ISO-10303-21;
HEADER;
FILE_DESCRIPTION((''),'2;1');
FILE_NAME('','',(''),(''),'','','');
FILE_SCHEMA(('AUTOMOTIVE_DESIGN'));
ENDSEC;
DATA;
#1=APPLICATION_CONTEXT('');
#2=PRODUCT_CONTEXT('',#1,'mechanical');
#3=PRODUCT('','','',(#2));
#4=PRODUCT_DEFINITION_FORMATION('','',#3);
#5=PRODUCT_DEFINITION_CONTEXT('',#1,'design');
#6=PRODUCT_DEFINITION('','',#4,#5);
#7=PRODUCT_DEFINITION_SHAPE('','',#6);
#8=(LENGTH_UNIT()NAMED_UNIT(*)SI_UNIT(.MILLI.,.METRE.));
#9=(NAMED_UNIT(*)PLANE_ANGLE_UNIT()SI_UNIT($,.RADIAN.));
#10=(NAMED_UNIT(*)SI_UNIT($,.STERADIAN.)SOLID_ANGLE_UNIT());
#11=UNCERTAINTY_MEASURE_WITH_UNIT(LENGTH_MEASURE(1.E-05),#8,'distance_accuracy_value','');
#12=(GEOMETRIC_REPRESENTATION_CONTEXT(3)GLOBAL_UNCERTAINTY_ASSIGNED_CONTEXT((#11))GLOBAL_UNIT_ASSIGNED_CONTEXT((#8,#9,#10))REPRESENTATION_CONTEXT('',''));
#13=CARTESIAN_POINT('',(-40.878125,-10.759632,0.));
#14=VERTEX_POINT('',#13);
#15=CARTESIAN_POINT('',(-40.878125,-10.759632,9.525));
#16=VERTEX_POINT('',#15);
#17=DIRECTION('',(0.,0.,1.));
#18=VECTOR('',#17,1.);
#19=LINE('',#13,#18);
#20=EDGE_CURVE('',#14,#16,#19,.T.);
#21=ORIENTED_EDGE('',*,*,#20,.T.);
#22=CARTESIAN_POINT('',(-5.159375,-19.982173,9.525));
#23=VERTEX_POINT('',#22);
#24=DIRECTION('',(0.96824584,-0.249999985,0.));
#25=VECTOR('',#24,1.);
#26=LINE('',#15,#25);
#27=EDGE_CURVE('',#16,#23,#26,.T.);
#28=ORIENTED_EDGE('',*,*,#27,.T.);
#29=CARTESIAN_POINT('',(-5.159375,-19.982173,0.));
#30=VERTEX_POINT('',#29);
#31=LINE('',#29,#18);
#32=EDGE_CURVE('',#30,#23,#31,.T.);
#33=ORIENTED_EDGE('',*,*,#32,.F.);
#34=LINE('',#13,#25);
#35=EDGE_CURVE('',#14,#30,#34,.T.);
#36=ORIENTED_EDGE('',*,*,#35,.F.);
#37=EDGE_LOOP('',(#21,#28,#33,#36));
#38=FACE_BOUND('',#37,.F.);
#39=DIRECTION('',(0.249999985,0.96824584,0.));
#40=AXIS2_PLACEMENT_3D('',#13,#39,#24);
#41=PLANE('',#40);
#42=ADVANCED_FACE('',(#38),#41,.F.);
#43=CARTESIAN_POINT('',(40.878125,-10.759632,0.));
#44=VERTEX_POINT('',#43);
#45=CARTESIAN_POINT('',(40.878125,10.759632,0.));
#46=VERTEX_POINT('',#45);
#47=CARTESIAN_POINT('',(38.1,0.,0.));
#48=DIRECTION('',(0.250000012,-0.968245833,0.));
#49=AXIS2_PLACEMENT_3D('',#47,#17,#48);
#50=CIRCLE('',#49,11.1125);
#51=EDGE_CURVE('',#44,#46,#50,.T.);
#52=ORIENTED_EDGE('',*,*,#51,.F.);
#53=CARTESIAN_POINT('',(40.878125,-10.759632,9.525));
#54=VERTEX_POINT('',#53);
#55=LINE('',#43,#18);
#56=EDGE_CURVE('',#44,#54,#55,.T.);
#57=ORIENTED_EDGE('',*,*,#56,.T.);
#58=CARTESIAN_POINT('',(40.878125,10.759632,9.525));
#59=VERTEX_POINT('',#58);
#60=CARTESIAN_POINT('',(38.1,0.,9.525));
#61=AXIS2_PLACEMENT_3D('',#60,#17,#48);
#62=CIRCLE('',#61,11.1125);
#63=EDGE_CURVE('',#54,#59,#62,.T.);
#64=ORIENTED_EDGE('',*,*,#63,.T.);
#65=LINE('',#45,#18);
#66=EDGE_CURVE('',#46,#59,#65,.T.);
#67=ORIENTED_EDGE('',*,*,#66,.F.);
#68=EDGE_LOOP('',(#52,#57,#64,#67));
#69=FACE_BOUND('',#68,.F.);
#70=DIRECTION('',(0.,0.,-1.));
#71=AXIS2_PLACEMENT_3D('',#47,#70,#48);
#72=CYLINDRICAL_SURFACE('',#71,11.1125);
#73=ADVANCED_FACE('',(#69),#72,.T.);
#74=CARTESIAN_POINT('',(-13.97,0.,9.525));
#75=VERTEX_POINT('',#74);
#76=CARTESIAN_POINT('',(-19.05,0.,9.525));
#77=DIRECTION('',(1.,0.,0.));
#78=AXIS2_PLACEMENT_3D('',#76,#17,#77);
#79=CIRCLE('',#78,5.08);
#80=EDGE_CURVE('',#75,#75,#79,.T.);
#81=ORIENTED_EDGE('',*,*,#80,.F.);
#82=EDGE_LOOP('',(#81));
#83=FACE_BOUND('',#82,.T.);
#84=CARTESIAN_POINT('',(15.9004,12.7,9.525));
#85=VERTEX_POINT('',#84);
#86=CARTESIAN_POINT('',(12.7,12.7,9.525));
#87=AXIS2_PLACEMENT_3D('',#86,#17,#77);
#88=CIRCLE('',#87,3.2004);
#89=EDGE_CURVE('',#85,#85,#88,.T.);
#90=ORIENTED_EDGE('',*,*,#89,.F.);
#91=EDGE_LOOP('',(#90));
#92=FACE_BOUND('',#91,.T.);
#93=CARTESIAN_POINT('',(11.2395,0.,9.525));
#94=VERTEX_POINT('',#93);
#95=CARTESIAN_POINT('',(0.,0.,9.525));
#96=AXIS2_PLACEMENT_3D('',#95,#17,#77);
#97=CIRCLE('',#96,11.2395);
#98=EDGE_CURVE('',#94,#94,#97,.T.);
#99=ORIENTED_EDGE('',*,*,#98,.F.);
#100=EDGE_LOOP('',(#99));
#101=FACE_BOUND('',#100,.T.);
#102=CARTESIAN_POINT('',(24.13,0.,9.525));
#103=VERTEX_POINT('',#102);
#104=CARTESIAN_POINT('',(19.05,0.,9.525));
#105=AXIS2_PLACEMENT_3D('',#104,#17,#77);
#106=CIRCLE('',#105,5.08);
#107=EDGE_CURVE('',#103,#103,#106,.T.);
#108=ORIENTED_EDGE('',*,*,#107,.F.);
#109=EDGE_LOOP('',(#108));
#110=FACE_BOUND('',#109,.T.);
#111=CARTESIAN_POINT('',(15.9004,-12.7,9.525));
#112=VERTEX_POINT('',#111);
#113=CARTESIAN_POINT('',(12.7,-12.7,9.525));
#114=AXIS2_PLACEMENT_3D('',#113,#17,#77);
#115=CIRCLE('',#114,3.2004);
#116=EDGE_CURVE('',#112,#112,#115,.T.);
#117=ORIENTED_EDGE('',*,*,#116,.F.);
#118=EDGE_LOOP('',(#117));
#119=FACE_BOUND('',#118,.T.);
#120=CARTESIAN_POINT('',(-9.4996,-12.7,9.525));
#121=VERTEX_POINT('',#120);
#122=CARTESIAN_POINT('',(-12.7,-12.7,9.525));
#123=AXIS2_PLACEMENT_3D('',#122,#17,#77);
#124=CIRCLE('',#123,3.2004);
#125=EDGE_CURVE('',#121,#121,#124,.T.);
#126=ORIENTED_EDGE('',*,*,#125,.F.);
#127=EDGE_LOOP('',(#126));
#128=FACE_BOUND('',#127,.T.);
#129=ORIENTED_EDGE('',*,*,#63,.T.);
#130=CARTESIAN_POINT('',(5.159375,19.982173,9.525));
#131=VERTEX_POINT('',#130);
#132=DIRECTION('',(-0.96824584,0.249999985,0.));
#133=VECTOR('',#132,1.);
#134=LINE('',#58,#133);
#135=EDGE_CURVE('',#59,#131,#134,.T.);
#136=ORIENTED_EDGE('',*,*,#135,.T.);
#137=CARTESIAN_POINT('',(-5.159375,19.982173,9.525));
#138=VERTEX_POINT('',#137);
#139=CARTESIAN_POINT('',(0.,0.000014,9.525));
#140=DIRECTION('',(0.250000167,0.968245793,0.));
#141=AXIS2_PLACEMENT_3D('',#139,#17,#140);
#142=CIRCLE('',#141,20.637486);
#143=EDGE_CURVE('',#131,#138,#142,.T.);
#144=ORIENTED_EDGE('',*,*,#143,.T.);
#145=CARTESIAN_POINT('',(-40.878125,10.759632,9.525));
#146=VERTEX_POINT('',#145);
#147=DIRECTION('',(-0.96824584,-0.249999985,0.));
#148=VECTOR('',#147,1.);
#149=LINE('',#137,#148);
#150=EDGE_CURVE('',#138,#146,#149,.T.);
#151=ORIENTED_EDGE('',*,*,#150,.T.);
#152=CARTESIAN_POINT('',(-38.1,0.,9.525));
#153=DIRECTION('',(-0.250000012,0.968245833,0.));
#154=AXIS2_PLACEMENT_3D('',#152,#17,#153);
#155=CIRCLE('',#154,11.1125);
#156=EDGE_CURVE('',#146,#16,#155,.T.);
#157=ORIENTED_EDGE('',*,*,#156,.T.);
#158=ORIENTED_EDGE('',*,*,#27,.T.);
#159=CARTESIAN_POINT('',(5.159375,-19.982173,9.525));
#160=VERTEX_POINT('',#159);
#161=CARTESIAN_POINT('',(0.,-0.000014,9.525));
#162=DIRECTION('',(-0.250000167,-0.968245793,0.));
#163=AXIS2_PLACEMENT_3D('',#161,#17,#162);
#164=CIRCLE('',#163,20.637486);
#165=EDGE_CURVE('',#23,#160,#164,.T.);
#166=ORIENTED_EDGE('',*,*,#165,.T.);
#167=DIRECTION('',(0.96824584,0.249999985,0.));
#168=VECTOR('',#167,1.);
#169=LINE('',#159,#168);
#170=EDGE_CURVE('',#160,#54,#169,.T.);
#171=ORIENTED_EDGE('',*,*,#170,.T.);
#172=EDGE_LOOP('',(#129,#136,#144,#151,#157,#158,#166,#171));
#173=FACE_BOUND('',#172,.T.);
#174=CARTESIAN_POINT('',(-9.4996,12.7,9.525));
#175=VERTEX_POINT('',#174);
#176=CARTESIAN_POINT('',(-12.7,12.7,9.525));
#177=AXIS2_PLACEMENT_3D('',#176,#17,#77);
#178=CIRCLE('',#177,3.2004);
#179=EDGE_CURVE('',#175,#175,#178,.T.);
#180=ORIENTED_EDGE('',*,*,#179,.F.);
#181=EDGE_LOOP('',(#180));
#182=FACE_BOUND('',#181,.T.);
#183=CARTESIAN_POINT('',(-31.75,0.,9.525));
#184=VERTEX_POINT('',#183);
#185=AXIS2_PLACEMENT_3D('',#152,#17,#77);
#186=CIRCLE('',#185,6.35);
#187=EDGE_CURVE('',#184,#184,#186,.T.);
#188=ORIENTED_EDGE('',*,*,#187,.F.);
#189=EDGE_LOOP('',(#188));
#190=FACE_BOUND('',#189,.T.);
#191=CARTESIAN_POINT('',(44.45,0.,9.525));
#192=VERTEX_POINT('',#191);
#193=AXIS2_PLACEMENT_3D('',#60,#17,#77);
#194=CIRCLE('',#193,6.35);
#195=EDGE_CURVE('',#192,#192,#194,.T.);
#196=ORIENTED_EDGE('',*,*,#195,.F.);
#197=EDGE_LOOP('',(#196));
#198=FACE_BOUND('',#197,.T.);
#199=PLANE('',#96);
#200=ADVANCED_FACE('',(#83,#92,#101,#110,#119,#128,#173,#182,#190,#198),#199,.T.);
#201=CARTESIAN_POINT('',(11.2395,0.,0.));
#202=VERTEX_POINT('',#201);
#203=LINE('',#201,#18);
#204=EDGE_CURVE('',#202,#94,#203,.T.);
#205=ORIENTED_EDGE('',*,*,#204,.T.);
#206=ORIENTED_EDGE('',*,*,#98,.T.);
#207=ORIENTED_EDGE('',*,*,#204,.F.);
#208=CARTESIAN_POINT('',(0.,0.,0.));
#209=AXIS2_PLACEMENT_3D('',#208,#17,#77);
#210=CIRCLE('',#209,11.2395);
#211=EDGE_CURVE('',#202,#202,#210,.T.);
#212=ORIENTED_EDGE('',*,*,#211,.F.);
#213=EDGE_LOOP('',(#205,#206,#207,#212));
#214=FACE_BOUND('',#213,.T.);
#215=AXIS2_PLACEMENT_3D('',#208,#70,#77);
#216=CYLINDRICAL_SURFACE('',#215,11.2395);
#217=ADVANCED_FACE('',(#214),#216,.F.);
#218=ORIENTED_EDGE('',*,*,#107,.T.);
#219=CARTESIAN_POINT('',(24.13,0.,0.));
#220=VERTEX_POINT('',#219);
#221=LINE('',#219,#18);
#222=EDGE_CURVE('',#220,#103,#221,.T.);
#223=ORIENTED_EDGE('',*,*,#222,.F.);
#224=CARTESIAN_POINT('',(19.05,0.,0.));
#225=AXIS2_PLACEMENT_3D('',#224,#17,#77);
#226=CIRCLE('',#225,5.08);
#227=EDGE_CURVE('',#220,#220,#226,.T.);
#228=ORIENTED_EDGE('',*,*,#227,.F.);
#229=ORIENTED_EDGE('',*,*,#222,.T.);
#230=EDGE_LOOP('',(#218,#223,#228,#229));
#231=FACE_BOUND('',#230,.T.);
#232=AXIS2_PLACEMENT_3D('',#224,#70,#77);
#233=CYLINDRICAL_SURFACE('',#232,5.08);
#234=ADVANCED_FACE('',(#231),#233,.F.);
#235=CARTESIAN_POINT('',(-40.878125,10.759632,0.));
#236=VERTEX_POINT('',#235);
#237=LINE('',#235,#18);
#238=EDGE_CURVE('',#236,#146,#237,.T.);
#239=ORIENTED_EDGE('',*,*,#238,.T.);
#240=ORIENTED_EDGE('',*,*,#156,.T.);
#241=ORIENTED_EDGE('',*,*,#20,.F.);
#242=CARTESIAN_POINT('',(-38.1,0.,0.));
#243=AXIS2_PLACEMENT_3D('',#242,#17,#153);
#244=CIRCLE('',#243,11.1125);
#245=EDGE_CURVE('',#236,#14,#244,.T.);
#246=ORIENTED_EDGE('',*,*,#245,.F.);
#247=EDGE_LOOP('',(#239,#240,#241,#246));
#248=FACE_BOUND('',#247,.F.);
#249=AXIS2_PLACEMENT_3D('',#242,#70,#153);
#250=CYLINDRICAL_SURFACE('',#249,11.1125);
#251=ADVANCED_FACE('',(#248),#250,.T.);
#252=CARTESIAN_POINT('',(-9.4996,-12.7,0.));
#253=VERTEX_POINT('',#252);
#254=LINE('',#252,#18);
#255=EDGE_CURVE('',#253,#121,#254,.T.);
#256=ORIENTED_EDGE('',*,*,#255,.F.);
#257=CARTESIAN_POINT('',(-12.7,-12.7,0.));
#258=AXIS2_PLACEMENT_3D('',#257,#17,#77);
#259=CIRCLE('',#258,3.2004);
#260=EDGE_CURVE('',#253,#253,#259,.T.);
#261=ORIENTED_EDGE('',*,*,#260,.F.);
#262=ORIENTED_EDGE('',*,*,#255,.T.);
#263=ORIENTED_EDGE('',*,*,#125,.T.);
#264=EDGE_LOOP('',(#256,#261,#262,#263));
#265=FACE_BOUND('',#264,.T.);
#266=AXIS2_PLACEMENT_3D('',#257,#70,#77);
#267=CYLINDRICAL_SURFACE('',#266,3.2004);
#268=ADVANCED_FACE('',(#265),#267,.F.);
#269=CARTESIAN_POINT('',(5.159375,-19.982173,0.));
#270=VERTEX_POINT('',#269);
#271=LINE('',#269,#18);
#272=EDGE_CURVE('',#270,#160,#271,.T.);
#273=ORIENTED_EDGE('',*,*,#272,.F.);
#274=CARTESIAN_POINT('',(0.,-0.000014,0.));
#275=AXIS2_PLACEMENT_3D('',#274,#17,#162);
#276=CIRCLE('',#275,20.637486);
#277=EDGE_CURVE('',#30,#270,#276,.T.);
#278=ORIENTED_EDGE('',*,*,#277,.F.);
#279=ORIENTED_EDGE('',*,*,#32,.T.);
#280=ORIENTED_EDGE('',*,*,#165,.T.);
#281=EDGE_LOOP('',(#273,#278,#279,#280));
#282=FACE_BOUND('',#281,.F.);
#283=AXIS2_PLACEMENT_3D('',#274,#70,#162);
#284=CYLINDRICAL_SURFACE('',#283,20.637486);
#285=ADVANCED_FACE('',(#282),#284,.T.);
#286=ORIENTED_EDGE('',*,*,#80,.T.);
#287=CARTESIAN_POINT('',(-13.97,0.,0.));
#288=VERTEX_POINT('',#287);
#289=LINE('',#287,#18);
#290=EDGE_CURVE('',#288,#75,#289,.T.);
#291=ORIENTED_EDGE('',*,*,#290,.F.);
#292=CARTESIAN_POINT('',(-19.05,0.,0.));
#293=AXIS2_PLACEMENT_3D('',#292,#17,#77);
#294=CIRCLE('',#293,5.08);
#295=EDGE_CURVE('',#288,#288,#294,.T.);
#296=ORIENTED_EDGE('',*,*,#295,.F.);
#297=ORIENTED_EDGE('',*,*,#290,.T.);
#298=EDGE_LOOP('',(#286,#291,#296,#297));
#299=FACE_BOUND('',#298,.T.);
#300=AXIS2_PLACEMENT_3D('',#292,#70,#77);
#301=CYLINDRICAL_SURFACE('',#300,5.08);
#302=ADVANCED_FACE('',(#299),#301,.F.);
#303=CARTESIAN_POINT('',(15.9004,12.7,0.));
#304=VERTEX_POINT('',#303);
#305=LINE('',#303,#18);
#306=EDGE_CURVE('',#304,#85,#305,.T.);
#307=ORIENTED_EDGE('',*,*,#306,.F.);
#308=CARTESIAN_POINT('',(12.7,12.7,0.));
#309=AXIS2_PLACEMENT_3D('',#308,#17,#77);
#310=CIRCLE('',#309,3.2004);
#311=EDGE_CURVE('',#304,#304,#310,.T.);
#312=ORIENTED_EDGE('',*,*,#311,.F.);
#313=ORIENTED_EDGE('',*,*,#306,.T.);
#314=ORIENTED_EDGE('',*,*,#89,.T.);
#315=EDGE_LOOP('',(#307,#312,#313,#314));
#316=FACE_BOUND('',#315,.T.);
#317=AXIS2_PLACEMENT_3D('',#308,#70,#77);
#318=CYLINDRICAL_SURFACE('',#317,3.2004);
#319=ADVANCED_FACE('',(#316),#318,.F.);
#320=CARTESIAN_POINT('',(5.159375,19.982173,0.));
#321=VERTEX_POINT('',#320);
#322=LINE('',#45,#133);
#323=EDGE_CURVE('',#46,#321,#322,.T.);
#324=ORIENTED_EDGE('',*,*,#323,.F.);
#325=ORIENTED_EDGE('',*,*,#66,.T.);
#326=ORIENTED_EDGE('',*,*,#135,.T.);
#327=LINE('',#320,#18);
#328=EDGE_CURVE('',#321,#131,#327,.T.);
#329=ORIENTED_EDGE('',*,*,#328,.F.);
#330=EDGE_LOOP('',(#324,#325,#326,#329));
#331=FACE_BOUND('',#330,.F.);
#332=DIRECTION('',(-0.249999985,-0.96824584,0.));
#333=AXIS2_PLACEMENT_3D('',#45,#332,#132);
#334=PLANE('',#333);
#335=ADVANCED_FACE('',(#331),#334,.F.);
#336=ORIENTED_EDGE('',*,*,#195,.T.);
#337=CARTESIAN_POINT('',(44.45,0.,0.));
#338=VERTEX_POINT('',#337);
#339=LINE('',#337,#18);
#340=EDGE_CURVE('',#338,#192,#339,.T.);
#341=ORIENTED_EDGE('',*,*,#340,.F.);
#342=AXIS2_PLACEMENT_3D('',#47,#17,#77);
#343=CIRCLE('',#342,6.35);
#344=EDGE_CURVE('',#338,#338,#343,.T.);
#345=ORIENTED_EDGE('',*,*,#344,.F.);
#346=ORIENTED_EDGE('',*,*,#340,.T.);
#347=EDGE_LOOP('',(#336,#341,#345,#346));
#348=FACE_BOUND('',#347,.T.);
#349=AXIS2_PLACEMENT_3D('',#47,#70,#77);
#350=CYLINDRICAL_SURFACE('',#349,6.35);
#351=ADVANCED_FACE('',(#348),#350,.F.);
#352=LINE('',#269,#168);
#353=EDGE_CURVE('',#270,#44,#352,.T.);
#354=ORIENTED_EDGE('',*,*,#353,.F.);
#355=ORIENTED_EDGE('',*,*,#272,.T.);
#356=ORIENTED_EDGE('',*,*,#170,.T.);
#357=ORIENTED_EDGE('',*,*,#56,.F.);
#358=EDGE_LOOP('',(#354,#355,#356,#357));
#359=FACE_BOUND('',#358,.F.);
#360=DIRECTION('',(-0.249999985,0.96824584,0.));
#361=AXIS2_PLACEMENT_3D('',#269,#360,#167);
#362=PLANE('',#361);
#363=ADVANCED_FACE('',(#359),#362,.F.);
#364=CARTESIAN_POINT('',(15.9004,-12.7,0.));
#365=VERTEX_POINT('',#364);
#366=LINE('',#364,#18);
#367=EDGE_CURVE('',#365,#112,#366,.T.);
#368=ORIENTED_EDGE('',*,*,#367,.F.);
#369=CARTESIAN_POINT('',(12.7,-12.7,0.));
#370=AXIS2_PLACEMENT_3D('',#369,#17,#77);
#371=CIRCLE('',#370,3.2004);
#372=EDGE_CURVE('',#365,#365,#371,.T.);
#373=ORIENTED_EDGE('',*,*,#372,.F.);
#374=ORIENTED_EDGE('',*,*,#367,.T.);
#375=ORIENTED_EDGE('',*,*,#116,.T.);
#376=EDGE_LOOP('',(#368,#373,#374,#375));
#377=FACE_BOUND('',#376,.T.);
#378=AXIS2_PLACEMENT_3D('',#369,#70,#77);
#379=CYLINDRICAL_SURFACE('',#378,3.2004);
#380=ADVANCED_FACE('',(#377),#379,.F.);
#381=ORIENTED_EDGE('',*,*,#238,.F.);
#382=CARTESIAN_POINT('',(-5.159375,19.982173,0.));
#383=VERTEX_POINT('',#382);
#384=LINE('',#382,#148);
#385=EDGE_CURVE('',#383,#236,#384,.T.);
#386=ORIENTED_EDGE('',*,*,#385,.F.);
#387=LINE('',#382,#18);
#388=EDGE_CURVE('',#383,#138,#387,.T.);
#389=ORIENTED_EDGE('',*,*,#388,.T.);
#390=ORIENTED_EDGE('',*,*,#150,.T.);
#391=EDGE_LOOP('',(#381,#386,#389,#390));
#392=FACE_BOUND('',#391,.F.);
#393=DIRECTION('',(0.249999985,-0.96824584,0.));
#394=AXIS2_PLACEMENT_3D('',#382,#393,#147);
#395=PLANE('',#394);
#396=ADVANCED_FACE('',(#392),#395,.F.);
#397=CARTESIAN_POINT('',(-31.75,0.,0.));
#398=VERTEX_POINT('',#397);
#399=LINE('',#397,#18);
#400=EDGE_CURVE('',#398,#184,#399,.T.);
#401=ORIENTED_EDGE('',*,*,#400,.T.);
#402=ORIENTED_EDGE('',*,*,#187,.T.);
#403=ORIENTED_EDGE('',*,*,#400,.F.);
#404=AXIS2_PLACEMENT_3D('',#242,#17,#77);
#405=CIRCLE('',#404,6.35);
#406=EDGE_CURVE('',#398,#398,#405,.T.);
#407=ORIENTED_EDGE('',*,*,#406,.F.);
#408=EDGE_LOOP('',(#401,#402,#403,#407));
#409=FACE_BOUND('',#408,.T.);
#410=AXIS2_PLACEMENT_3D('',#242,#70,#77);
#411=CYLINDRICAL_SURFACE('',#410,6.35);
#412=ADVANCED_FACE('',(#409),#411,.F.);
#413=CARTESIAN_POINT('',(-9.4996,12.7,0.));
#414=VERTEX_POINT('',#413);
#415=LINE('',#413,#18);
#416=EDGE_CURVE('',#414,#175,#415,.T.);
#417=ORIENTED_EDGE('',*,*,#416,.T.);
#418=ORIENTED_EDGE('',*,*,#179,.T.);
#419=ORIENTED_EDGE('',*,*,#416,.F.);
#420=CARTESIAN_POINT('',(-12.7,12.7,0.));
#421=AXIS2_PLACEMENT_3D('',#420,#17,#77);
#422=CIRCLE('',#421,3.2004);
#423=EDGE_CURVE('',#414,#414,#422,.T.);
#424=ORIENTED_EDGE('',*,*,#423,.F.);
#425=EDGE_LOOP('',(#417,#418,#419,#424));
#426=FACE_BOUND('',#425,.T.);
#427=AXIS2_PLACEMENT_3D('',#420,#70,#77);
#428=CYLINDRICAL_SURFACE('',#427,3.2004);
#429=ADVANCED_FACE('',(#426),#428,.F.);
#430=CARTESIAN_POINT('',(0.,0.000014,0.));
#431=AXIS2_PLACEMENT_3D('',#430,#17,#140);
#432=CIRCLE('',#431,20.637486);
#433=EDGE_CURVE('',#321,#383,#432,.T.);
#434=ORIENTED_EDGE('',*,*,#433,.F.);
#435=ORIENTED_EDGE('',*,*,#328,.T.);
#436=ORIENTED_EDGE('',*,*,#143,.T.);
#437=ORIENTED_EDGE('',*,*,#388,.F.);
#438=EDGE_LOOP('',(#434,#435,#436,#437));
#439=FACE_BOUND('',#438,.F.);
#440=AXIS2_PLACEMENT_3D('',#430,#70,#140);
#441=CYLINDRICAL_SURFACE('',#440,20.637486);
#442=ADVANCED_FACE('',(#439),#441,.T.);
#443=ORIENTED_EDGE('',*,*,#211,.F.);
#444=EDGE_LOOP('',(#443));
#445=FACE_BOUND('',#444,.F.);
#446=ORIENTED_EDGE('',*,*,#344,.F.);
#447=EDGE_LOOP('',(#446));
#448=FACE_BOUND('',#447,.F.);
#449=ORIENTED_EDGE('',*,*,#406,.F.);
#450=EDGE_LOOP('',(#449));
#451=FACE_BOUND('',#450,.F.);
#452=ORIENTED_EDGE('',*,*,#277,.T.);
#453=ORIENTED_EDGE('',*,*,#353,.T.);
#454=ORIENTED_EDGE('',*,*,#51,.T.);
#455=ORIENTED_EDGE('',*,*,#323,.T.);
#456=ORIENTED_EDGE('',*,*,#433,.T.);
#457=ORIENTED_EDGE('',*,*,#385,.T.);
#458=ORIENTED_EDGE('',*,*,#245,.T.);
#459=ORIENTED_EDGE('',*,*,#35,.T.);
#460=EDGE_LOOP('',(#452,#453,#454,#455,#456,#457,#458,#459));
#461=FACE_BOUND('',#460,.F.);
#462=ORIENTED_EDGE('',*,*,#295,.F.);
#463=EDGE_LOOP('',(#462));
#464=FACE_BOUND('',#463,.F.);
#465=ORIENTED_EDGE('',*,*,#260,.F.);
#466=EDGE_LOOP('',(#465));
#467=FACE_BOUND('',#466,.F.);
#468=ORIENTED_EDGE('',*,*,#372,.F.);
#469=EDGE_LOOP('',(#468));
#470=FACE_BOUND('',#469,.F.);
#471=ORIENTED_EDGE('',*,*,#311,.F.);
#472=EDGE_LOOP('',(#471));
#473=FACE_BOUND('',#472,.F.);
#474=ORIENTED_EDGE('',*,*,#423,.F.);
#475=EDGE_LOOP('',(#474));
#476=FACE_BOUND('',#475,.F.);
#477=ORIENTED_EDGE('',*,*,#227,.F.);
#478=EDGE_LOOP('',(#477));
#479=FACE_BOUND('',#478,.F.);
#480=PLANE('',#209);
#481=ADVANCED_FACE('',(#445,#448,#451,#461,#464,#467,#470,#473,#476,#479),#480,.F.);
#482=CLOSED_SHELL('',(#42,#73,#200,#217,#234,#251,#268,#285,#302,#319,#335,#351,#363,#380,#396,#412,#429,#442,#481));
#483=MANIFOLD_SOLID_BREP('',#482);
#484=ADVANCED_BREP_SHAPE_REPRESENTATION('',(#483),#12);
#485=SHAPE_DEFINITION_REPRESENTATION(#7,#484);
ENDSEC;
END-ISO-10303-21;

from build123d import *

# Parameters (mm, degrees)
F0_R     = 3.2004
F0_R_2   = 6.35
F0_R_3   = 5.08
F0_R_4   = 11.2395
F1_DEPTH = 9.525


with BuildPart() as f1:
    # F0 (on Top) → F1 (new body)
    with BuildSketch(Plane.XY):
        with BuildLine():
            Line((-5.159375, 19.982173), (-40.878125, 10.759632))
            ThreePointArc((-40.878125, 10.759632), (-49.2125, 0), (-40.878125, -10.759632))
            Line((-40.878125, -10.759632), (-5.159375, -19.982173))
            ThreePointArc((-5.159375, -19.982173), (0, -20.6375), (5.159375, -19.982173))
            Line((5.159375, -19.982173), (40.878125, -10.759632))
            ThreePointArc((40.878125, -10.759632), (49.2125, 0), (40.878125, 10.759632))
            Line((40.878125, 10.759632), (5.159375, 19.982173))
            ThreePointArc((5.159375, 19.982173), (0, 20.6375), (-5.159375, 19.982173))
        make_face()
        with Locations((-12.7, -12.7)):
            Circle(F0_R, mode=Mode.SUBTRACT)
        with Locations((12.7, -12.7)):
            Circle(F0_R, mode=Mode.SUBTRACT)
        with Locations((-38.1, 0)):
            Circle(F0_R_2, mode=Mode.SUBTRACT)
        with Locations((-19.05, 0)):
            Circle(F0_R_3, mode=Mode.SUBTRACT)
        with Locations((-12.7, 12.7)):
            Circle(F0_R, mode=Mode.SUBTRACT)
        Circle(F0_R_4, mode=Mode.SUBTRACT)
        with Locations((19.05, 0)):
            Circle(F0_R_3, mode=Mode.SUBTRACT)
        with Locations((38.1, 0)):
            Circle(F0_R_2, mode=Mode.SUBTRACT)
        with Locations((12.7, 12.7)):
            Circle(F0_R, mode=Mode.SUBTRACT)
    extrude(amount=F1_DEPTH)


solid = f1.part
